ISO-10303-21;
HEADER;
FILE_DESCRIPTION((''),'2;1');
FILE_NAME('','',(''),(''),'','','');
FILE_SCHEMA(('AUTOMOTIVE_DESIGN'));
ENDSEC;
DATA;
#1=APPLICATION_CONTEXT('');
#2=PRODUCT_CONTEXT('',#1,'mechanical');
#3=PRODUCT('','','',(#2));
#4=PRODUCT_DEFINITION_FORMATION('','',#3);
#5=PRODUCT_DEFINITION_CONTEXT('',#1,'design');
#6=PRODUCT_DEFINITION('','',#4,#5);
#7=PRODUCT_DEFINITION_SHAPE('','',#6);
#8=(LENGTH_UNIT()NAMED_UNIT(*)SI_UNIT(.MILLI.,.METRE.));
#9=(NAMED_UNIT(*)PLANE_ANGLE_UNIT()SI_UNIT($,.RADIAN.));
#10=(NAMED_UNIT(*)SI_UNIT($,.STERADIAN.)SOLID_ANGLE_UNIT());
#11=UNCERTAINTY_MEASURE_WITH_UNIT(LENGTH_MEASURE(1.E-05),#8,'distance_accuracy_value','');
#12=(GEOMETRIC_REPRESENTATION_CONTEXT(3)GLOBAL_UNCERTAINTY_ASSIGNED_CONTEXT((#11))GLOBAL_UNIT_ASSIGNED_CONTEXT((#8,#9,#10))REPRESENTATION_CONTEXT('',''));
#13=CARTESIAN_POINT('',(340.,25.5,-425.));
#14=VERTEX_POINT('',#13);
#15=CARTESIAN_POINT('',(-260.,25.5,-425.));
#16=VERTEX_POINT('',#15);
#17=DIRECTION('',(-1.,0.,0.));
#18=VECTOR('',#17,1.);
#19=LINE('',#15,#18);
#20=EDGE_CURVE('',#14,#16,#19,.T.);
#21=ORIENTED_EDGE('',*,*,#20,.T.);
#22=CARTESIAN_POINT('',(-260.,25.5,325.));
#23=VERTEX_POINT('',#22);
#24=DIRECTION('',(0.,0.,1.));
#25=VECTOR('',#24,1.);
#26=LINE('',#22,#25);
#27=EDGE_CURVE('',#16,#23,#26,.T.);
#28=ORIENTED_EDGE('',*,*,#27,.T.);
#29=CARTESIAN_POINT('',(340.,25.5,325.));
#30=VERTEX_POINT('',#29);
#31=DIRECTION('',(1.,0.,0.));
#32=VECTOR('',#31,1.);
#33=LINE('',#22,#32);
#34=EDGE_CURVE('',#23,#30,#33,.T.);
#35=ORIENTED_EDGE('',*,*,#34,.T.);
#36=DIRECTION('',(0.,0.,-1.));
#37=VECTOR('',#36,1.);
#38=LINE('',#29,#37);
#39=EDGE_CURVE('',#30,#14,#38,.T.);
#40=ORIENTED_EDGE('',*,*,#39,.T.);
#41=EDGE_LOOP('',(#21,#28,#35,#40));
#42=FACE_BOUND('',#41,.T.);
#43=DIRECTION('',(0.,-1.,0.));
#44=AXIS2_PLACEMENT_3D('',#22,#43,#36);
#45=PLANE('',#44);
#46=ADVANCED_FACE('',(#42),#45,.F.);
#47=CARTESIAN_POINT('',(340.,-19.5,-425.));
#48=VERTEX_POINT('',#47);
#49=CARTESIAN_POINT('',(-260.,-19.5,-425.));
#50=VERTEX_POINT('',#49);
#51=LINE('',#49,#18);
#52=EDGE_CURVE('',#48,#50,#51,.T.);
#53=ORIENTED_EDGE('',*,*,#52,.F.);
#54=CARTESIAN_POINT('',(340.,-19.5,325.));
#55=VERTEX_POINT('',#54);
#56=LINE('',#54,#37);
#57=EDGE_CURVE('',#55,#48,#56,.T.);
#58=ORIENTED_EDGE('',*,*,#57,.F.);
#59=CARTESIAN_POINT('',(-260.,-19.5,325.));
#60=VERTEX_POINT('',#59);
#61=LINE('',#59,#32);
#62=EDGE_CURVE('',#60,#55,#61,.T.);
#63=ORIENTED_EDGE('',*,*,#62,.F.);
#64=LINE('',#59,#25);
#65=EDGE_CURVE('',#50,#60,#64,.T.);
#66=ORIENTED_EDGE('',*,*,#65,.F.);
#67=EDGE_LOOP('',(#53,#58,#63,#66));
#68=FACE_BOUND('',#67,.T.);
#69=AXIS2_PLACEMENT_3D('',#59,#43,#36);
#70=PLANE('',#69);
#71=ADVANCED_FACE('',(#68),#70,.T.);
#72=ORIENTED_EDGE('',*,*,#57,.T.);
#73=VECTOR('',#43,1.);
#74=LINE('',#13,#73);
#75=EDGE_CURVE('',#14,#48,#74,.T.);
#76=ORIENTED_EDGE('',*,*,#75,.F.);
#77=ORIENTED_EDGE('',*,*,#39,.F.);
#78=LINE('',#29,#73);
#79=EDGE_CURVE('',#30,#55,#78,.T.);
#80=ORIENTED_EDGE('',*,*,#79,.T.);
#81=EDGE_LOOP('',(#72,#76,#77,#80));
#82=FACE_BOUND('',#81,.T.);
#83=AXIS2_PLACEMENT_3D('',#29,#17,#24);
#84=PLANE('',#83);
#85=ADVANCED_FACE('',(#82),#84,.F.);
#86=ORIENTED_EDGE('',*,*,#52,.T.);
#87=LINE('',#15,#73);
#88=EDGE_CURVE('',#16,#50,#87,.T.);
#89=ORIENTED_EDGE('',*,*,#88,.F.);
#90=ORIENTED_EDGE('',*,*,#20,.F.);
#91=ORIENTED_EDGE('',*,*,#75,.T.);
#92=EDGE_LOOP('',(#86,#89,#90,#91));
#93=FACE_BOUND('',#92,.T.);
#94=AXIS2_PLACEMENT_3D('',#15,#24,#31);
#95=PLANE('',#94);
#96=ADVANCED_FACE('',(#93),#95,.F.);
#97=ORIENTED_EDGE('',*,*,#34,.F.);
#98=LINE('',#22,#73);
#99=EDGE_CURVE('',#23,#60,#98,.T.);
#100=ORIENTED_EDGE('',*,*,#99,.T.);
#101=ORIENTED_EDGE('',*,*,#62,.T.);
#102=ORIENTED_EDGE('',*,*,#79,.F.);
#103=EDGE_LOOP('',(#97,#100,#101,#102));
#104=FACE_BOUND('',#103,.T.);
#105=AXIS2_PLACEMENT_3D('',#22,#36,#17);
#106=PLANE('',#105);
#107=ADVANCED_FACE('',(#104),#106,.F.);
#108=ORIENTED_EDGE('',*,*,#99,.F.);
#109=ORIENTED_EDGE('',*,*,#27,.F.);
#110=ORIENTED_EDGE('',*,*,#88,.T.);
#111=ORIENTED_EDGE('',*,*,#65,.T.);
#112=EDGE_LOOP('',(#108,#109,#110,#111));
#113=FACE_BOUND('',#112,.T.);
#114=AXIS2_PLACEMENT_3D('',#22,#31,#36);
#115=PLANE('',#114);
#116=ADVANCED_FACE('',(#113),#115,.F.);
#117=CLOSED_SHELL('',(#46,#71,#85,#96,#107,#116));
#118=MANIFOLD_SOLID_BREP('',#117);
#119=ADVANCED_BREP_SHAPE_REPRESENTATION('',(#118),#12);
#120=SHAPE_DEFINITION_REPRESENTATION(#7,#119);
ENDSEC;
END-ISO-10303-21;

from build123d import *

# Parameters (mm, degrees)
SKETCH2_W           = 80
SKETCH2_H           = 100
BOSS_EXTRUDE1_DEPTH = 6
SCALE1_SCALE        = 7.5


with BuildPart() as part:
    # Sketch2 → Boss-Extrude1 (new body)
    with BuildSketch(Plane(origin=(0, 0, 0), x_dir=(1, 0, 0), z_dir=(0, 1, 0))):
        with Locations((40, 50)):
            Rectangle(SKETCH2_W, SKETCH2_H)
    extrude(amount=BOSS_EXTRUDE1_DEPTH)


with BuildPart() as part_1:
    # Scale1: scaled about (40, 3, -50)
    add(part.part.scale(SCALE1_SCALE).moved(Location((-260, -19.5, 325))))


solid = part_1.part
